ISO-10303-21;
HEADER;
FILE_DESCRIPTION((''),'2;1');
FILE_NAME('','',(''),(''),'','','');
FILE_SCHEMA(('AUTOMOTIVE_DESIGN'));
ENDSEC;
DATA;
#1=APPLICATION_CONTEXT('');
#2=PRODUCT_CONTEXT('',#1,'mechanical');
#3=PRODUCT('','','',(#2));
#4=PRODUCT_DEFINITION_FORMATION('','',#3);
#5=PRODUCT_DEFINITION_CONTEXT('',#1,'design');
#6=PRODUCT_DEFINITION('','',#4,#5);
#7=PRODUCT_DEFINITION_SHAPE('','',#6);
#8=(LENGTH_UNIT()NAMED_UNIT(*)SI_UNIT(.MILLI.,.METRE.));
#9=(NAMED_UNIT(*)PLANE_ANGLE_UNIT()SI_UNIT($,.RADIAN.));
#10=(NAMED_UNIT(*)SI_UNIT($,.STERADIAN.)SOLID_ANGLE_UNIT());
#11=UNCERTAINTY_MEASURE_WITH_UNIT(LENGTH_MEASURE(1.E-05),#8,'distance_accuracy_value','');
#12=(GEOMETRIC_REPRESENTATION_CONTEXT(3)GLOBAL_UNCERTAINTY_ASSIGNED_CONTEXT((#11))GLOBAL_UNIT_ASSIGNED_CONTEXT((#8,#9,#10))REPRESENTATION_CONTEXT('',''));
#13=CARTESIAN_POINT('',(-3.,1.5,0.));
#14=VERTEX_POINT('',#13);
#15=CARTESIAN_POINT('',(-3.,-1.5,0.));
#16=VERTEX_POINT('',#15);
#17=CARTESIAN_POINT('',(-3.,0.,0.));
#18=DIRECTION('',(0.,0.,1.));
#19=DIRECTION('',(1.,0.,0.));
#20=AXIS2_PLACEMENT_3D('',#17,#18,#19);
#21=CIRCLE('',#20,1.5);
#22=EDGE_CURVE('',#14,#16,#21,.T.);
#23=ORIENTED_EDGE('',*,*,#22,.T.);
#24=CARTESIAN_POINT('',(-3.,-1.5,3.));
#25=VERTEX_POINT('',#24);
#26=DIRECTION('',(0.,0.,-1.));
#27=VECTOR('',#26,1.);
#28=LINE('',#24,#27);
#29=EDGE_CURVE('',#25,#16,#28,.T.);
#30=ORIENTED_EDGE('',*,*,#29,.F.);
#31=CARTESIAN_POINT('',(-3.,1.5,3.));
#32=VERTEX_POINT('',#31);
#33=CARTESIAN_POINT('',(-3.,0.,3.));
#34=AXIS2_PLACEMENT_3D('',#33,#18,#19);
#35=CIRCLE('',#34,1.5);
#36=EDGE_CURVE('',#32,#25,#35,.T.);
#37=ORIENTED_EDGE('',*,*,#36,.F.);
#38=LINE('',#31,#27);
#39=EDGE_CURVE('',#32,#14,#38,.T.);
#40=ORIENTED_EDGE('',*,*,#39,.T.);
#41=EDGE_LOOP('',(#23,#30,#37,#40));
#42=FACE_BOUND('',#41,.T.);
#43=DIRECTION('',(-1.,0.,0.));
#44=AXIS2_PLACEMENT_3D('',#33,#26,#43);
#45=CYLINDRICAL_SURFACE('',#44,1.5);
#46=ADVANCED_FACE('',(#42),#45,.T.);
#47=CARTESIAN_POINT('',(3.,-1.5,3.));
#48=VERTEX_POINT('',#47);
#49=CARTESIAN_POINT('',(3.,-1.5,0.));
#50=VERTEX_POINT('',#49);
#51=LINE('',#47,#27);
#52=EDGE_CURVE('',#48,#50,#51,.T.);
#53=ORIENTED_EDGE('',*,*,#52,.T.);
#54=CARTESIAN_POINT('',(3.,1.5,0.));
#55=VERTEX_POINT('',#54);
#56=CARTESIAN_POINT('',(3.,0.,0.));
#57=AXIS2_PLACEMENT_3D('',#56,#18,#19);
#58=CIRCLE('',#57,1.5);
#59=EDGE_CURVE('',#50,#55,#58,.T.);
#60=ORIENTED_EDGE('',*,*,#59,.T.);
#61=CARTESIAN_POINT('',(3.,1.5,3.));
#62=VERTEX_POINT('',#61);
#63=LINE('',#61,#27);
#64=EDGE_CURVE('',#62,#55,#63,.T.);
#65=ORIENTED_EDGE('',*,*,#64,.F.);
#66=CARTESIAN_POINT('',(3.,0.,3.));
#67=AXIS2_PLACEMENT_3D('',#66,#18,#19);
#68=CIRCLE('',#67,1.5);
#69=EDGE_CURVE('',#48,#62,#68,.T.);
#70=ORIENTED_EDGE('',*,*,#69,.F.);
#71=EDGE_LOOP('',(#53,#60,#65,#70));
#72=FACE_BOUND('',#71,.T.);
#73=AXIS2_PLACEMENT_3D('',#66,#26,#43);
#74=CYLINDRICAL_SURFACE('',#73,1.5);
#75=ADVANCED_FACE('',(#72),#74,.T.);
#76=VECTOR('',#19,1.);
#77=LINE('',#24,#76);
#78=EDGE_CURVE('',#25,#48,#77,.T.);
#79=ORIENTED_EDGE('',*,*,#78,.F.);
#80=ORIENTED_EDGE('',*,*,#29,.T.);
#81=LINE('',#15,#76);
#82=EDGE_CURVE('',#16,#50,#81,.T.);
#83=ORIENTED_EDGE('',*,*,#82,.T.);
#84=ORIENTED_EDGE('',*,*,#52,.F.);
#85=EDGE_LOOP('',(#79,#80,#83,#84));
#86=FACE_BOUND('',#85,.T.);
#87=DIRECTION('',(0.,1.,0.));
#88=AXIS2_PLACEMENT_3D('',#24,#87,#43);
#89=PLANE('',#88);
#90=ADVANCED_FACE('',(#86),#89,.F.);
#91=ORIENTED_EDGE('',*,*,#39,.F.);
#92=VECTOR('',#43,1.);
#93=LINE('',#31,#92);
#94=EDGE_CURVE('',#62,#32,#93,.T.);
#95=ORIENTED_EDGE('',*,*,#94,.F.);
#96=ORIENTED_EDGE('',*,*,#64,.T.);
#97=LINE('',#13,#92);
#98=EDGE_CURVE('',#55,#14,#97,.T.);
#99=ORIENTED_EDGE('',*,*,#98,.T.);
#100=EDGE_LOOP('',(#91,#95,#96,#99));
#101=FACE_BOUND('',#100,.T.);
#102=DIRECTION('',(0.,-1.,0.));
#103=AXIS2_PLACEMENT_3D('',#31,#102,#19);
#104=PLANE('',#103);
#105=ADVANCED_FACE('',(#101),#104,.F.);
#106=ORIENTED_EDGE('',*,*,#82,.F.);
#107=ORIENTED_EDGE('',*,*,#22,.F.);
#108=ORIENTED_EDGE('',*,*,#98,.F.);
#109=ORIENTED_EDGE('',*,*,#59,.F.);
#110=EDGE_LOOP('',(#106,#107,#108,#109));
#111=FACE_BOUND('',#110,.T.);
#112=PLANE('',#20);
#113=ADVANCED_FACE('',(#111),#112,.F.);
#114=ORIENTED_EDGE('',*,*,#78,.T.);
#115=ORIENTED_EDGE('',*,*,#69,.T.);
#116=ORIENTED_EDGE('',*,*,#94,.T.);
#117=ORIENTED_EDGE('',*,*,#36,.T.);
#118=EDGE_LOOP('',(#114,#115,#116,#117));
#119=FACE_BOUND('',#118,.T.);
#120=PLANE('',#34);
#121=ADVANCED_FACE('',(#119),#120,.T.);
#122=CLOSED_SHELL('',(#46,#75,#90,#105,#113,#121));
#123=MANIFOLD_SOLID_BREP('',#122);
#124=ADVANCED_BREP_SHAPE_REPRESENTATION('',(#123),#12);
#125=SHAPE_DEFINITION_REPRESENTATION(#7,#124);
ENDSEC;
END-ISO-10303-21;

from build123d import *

# Parameters (mm, degrees)
BASE_EXTRUDE_DEPTH = 3


with BuildPart() as part:
    # Sketch1 → Base-Extrude (new body)
    with BuildSketch(Plane.XY):
        with BuildLine():
            Line((-3, 1.5), (3, 1.5))
            ThreePointArc((3, 1.5), (4.5, 0), (3, -1.5))
            Line((3, -1.5), (-3, -1.5))
            ThreePointArc((-3, -1.5), (-4.5, 0), (-3, 1.5))
        make_face()
    extrude(amount=BASE_EXTRUDE_DEPTH)


solid = part.part
